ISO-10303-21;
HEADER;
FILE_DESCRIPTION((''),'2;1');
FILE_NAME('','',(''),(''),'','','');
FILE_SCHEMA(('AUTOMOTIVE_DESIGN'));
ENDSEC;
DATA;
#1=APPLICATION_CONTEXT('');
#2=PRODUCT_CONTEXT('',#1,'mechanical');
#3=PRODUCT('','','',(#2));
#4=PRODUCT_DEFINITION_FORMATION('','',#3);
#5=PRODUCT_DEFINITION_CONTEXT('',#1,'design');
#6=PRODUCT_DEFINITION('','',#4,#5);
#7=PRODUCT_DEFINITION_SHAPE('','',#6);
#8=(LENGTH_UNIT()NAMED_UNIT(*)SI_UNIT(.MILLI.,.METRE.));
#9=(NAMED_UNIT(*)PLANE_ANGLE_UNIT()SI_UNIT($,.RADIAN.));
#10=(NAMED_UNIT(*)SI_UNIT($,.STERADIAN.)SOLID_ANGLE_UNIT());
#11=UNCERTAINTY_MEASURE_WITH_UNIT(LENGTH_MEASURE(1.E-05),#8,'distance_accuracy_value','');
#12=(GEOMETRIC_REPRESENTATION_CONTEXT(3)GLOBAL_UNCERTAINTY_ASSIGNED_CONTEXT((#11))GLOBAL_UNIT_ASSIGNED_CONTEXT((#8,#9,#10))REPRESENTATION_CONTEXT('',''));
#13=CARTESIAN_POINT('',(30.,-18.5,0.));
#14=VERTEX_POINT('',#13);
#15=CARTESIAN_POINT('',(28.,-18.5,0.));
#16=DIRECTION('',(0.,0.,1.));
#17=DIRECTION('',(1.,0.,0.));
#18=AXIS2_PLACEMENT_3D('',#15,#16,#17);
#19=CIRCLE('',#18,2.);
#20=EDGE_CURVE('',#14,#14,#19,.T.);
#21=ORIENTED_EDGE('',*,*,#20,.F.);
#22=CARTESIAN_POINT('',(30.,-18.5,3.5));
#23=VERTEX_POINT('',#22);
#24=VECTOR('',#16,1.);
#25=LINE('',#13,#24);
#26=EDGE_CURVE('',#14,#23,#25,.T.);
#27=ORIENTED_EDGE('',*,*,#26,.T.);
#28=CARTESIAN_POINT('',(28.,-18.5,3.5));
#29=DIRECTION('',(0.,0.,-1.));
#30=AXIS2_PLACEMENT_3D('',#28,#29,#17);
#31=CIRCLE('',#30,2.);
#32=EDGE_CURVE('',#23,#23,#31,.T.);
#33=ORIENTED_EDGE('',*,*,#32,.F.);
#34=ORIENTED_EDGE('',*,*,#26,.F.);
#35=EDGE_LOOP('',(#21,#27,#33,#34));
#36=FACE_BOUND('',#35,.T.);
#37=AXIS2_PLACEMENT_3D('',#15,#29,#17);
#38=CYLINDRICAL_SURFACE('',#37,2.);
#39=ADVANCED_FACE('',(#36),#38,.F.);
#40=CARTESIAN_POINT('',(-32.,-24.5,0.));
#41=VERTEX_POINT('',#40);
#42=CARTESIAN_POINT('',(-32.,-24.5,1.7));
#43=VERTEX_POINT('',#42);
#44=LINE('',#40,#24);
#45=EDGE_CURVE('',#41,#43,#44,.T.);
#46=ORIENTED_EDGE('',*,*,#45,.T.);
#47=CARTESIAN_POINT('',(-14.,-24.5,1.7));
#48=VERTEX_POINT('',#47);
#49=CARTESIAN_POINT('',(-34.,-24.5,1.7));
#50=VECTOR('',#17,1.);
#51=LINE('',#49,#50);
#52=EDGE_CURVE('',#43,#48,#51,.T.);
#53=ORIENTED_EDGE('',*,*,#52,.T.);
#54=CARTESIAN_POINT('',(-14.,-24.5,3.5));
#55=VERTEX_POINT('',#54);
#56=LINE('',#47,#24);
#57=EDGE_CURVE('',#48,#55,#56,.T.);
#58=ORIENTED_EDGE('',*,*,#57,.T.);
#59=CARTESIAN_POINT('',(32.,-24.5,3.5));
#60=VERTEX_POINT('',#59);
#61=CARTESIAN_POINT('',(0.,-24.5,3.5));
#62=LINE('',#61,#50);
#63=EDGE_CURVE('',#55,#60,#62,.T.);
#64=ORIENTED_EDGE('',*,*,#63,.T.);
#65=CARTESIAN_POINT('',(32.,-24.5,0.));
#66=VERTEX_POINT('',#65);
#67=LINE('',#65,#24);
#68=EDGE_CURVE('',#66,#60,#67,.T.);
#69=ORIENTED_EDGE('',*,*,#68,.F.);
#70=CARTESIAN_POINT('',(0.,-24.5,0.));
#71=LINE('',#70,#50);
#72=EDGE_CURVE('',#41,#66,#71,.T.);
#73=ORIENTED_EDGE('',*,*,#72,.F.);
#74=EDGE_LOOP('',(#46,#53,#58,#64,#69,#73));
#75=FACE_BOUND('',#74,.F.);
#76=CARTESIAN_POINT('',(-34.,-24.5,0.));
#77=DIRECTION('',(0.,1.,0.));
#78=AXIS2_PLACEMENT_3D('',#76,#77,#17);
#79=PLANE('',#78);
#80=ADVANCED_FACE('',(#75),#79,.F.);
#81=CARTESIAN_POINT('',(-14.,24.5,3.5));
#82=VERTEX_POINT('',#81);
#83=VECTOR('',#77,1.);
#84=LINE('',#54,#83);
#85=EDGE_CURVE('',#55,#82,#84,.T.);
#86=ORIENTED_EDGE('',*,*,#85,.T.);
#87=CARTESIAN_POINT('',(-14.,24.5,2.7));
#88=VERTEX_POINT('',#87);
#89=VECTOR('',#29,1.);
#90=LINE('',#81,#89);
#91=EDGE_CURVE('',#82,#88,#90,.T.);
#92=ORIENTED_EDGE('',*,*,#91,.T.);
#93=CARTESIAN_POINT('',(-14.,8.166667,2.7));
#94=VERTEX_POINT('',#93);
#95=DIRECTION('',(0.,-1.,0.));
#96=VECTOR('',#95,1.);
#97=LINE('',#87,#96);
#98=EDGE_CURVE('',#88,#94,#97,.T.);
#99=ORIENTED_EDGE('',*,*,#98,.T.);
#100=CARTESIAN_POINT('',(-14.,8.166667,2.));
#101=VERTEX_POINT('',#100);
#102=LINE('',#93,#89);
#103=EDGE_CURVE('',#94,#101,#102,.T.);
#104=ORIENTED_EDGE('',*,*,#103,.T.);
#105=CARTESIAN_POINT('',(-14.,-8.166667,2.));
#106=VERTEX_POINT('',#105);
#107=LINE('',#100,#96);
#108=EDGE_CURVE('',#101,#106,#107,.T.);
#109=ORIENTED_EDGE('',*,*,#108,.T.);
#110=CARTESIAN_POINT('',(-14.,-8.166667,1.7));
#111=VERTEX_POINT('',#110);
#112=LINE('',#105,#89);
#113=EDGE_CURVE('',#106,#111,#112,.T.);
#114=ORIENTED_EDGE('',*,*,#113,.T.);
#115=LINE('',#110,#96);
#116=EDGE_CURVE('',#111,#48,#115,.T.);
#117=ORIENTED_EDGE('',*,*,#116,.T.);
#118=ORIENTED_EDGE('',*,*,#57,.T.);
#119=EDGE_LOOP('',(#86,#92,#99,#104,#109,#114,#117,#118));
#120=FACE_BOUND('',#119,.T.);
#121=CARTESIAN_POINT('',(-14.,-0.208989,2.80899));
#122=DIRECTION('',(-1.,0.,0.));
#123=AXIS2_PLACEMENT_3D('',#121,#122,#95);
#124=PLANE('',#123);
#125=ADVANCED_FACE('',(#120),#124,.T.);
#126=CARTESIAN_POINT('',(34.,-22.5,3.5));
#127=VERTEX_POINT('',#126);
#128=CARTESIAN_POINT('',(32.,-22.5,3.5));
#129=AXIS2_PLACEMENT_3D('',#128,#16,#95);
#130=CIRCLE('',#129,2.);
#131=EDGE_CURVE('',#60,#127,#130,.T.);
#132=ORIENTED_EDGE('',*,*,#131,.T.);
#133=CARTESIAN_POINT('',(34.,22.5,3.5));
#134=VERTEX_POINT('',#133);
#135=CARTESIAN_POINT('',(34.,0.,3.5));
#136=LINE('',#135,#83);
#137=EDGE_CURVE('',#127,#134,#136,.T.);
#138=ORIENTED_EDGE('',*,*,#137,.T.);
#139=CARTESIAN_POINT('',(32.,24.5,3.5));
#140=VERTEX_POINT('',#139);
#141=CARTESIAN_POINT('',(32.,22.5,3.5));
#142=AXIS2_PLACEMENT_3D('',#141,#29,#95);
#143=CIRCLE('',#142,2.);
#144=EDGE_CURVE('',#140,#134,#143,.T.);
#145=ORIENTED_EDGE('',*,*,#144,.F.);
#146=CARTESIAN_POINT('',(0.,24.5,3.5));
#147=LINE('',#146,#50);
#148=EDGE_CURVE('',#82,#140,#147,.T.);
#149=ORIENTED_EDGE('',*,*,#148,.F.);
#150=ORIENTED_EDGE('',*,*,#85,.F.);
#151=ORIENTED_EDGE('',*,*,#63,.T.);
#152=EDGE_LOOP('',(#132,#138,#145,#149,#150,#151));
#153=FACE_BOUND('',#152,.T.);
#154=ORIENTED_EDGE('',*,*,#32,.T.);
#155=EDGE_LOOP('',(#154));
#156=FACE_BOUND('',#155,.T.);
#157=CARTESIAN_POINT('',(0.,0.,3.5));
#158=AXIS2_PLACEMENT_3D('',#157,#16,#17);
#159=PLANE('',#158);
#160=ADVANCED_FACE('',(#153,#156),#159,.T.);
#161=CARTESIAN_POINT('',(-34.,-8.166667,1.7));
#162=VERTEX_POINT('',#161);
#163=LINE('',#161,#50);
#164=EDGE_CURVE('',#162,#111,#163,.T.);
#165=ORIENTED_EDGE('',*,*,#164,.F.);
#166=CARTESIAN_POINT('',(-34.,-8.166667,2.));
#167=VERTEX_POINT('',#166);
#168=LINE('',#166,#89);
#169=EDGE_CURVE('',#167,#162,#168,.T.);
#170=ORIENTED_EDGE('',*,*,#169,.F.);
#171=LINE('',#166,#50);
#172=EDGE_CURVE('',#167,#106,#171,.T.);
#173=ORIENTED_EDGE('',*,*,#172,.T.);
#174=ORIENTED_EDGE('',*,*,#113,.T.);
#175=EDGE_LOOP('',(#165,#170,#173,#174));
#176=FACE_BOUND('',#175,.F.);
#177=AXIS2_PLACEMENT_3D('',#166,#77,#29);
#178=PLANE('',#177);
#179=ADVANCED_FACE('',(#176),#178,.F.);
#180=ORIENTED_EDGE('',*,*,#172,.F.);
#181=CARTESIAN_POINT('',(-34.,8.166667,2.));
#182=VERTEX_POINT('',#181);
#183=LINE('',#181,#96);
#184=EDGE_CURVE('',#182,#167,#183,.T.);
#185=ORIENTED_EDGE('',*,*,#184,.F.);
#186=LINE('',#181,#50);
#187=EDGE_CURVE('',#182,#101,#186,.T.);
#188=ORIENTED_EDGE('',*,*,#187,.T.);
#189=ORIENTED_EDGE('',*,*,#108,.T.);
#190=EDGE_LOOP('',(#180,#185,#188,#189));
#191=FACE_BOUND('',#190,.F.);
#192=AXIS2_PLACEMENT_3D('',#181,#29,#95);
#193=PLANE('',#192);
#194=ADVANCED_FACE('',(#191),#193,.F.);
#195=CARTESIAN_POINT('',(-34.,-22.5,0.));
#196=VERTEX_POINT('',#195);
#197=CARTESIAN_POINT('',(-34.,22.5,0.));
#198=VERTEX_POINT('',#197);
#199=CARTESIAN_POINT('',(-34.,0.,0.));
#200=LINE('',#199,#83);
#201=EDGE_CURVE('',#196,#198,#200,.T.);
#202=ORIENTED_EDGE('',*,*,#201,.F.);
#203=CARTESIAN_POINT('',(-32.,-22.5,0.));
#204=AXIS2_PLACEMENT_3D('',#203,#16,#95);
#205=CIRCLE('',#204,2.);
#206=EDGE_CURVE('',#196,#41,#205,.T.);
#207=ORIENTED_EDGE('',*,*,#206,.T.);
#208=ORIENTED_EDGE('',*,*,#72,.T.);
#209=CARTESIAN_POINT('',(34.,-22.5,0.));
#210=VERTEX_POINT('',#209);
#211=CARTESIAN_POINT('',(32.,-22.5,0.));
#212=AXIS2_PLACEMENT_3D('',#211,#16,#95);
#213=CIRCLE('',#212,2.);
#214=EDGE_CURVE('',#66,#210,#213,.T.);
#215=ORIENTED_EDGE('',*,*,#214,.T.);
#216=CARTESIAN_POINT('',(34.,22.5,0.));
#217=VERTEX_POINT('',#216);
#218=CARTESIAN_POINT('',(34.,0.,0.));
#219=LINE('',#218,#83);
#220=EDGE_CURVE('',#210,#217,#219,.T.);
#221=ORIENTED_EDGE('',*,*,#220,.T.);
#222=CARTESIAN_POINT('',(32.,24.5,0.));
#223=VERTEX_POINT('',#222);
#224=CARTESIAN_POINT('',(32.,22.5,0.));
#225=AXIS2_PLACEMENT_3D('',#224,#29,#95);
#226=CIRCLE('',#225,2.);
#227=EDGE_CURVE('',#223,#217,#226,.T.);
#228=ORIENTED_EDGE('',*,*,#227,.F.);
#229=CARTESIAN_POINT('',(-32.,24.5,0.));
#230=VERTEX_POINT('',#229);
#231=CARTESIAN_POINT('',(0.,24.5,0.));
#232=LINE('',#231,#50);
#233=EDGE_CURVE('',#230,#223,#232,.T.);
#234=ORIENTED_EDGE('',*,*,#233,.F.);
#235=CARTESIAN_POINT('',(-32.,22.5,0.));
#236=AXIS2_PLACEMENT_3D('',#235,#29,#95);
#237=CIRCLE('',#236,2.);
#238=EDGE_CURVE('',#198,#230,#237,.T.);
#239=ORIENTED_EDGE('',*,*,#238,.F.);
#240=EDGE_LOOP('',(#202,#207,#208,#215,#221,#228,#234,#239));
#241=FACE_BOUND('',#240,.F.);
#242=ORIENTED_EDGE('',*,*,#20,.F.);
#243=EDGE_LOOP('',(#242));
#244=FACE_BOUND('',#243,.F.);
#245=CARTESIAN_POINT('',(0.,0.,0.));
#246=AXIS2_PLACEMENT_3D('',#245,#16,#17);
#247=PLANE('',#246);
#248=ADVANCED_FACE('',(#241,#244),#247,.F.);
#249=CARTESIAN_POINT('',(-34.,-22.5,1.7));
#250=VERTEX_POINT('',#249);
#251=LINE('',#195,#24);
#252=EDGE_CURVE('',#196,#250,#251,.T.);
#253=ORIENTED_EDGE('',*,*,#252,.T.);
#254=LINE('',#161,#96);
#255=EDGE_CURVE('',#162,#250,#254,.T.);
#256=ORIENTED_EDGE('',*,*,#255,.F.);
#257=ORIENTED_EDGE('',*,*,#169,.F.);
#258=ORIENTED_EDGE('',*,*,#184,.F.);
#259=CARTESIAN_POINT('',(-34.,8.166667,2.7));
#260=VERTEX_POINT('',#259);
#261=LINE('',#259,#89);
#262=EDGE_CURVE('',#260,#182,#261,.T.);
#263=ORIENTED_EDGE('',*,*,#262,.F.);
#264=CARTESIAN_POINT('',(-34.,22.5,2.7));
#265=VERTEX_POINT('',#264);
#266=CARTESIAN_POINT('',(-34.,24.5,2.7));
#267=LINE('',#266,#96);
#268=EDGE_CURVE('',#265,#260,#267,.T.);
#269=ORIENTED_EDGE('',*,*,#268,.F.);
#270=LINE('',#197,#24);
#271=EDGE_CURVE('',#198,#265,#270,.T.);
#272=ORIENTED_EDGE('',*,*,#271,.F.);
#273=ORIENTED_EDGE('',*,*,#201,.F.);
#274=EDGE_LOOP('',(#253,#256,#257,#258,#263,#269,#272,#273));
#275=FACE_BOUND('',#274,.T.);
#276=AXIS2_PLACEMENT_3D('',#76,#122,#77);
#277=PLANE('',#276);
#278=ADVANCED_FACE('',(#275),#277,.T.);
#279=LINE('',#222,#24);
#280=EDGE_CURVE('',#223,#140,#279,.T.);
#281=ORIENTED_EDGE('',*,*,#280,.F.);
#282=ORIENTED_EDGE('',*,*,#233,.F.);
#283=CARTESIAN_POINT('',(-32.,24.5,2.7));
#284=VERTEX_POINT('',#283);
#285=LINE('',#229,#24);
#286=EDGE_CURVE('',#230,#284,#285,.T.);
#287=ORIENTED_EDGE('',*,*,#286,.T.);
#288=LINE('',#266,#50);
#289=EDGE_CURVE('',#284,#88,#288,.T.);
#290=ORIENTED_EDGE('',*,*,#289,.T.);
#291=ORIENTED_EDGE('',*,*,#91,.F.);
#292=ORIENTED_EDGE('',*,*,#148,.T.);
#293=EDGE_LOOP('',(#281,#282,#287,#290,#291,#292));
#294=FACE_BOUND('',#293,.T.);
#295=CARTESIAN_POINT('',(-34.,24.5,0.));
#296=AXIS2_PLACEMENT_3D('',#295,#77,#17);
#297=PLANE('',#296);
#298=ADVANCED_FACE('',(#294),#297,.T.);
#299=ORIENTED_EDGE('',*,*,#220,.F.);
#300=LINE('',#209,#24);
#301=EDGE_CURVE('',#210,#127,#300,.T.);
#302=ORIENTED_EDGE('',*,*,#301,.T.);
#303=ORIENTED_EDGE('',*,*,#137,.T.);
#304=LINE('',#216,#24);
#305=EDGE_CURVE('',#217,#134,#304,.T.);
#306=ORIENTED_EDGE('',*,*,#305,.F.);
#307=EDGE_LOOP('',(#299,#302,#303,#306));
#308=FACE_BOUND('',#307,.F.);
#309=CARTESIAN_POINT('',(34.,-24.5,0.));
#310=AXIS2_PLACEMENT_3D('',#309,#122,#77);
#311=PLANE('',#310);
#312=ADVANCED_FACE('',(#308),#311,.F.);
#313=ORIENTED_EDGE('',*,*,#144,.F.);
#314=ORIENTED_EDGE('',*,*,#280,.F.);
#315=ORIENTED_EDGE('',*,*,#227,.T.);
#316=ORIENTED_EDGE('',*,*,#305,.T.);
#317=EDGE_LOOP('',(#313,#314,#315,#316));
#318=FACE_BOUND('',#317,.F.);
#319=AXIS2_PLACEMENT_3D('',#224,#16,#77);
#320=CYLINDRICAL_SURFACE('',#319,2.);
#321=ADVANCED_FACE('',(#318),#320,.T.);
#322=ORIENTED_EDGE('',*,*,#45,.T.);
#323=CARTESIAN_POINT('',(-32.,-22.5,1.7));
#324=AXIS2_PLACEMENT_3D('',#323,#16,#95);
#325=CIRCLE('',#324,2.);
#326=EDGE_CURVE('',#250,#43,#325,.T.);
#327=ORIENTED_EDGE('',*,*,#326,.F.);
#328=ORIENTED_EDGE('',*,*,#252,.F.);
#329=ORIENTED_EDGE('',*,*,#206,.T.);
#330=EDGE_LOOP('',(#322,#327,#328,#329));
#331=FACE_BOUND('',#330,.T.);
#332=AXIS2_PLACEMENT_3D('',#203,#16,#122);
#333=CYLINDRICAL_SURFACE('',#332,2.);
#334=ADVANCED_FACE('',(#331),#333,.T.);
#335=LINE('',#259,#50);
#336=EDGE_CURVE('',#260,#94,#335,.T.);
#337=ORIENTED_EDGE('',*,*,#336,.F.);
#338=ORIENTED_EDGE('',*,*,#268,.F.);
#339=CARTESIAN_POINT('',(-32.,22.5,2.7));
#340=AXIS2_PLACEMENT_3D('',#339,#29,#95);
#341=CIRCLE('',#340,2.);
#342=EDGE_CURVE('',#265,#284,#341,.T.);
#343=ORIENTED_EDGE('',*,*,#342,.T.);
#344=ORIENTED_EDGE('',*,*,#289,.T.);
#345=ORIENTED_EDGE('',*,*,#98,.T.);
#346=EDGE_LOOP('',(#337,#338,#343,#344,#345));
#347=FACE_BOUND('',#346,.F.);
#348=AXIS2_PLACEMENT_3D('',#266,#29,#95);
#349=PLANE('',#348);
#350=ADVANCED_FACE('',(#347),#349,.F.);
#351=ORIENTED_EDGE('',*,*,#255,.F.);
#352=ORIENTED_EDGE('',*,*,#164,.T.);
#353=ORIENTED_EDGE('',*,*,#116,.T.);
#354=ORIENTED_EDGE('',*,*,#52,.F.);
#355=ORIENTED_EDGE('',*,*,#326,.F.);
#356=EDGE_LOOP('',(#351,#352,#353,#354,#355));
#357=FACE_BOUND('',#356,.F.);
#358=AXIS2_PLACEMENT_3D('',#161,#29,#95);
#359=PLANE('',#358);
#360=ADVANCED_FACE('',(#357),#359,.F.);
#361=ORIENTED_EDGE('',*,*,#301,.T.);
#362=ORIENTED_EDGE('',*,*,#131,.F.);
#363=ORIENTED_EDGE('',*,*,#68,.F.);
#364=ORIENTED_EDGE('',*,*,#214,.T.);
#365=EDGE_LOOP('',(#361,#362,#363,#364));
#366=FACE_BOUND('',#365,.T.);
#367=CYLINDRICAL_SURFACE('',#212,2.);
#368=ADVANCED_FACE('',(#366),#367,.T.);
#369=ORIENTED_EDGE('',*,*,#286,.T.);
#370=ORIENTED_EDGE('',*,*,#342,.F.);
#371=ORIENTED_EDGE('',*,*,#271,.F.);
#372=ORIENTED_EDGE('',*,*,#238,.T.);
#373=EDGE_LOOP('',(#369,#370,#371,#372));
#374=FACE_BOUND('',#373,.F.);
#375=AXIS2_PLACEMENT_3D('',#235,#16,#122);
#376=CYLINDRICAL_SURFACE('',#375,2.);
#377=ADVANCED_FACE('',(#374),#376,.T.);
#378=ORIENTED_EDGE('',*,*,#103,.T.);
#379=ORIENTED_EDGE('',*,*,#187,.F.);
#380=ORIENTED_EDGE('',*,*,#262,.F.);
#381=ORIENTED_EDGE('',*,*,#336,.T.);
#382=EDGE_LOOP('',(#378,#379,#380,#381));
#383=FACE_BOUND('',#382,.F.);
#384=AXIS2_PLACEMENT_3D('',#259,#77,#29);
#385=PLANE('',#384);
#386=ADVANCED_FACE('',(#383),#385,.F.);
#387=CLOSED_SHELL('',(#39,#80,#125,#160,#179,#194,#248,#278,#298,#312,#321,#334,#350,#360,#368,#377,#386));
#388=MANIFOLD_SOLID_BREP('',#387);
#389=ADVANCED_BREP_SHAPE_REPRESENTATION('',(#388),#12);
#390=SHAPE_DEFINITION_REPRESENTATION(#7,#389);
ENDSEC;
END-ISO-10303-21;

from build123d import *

# Parameters (mm, degrees)
F0_W     = 68
F0_H     = 49
F1_DEPTH = 3.5
F3_DEPTH = 20
F4_R     = 2
F5_DEPTH = 3.501
F6_R     = 2


with BuildPart() as f1:
    # F0 (on Top) → F1 (new body)
    with BuildSketch(Plane.XY):
        Rectangle(F0_W, F0_H)
    extrude(amount=F1_DEPTH)

    # F2 (on face) → F3 (cut)
    with BuildSketch(Plane(origin=(-34, 0, 0), x_dir=(0, -1, 0), z_dir=(-1, 0, 0))):
        Polygon((24.5, 3.5), (-24.5, 3.5), (-24.5, 2.7), (-8.166667, 2.7), (-8.166667, 2), (8.166667, 2), (8.166667, 1.7), (24.5, 1.7), align=None)
    extrude(amount=-F3_DEPTH, mode=Mode.SUBTRACT)

    # F4 (on Top) → F5 (cut, through all)
    with BuildSketch(Plane.XY):
        with Locations((28, -18.5)):
            Circle(F4_R)
    extrude(amount=F5_DEPTH, mode=Mode.SUBTRACT)

    # F6
    f6_edges = [f1.edges().sort_by_distance(p)[0] for p in [
        (34, 24.5, 1.75),
        (34, -24.5, 1.75),
        (-34, 24.5, 1.35),
        (-34, -24.5, 0.85),
    ]]
    fillet(f6_edges, radius=F6_R)


solid = f1.part
